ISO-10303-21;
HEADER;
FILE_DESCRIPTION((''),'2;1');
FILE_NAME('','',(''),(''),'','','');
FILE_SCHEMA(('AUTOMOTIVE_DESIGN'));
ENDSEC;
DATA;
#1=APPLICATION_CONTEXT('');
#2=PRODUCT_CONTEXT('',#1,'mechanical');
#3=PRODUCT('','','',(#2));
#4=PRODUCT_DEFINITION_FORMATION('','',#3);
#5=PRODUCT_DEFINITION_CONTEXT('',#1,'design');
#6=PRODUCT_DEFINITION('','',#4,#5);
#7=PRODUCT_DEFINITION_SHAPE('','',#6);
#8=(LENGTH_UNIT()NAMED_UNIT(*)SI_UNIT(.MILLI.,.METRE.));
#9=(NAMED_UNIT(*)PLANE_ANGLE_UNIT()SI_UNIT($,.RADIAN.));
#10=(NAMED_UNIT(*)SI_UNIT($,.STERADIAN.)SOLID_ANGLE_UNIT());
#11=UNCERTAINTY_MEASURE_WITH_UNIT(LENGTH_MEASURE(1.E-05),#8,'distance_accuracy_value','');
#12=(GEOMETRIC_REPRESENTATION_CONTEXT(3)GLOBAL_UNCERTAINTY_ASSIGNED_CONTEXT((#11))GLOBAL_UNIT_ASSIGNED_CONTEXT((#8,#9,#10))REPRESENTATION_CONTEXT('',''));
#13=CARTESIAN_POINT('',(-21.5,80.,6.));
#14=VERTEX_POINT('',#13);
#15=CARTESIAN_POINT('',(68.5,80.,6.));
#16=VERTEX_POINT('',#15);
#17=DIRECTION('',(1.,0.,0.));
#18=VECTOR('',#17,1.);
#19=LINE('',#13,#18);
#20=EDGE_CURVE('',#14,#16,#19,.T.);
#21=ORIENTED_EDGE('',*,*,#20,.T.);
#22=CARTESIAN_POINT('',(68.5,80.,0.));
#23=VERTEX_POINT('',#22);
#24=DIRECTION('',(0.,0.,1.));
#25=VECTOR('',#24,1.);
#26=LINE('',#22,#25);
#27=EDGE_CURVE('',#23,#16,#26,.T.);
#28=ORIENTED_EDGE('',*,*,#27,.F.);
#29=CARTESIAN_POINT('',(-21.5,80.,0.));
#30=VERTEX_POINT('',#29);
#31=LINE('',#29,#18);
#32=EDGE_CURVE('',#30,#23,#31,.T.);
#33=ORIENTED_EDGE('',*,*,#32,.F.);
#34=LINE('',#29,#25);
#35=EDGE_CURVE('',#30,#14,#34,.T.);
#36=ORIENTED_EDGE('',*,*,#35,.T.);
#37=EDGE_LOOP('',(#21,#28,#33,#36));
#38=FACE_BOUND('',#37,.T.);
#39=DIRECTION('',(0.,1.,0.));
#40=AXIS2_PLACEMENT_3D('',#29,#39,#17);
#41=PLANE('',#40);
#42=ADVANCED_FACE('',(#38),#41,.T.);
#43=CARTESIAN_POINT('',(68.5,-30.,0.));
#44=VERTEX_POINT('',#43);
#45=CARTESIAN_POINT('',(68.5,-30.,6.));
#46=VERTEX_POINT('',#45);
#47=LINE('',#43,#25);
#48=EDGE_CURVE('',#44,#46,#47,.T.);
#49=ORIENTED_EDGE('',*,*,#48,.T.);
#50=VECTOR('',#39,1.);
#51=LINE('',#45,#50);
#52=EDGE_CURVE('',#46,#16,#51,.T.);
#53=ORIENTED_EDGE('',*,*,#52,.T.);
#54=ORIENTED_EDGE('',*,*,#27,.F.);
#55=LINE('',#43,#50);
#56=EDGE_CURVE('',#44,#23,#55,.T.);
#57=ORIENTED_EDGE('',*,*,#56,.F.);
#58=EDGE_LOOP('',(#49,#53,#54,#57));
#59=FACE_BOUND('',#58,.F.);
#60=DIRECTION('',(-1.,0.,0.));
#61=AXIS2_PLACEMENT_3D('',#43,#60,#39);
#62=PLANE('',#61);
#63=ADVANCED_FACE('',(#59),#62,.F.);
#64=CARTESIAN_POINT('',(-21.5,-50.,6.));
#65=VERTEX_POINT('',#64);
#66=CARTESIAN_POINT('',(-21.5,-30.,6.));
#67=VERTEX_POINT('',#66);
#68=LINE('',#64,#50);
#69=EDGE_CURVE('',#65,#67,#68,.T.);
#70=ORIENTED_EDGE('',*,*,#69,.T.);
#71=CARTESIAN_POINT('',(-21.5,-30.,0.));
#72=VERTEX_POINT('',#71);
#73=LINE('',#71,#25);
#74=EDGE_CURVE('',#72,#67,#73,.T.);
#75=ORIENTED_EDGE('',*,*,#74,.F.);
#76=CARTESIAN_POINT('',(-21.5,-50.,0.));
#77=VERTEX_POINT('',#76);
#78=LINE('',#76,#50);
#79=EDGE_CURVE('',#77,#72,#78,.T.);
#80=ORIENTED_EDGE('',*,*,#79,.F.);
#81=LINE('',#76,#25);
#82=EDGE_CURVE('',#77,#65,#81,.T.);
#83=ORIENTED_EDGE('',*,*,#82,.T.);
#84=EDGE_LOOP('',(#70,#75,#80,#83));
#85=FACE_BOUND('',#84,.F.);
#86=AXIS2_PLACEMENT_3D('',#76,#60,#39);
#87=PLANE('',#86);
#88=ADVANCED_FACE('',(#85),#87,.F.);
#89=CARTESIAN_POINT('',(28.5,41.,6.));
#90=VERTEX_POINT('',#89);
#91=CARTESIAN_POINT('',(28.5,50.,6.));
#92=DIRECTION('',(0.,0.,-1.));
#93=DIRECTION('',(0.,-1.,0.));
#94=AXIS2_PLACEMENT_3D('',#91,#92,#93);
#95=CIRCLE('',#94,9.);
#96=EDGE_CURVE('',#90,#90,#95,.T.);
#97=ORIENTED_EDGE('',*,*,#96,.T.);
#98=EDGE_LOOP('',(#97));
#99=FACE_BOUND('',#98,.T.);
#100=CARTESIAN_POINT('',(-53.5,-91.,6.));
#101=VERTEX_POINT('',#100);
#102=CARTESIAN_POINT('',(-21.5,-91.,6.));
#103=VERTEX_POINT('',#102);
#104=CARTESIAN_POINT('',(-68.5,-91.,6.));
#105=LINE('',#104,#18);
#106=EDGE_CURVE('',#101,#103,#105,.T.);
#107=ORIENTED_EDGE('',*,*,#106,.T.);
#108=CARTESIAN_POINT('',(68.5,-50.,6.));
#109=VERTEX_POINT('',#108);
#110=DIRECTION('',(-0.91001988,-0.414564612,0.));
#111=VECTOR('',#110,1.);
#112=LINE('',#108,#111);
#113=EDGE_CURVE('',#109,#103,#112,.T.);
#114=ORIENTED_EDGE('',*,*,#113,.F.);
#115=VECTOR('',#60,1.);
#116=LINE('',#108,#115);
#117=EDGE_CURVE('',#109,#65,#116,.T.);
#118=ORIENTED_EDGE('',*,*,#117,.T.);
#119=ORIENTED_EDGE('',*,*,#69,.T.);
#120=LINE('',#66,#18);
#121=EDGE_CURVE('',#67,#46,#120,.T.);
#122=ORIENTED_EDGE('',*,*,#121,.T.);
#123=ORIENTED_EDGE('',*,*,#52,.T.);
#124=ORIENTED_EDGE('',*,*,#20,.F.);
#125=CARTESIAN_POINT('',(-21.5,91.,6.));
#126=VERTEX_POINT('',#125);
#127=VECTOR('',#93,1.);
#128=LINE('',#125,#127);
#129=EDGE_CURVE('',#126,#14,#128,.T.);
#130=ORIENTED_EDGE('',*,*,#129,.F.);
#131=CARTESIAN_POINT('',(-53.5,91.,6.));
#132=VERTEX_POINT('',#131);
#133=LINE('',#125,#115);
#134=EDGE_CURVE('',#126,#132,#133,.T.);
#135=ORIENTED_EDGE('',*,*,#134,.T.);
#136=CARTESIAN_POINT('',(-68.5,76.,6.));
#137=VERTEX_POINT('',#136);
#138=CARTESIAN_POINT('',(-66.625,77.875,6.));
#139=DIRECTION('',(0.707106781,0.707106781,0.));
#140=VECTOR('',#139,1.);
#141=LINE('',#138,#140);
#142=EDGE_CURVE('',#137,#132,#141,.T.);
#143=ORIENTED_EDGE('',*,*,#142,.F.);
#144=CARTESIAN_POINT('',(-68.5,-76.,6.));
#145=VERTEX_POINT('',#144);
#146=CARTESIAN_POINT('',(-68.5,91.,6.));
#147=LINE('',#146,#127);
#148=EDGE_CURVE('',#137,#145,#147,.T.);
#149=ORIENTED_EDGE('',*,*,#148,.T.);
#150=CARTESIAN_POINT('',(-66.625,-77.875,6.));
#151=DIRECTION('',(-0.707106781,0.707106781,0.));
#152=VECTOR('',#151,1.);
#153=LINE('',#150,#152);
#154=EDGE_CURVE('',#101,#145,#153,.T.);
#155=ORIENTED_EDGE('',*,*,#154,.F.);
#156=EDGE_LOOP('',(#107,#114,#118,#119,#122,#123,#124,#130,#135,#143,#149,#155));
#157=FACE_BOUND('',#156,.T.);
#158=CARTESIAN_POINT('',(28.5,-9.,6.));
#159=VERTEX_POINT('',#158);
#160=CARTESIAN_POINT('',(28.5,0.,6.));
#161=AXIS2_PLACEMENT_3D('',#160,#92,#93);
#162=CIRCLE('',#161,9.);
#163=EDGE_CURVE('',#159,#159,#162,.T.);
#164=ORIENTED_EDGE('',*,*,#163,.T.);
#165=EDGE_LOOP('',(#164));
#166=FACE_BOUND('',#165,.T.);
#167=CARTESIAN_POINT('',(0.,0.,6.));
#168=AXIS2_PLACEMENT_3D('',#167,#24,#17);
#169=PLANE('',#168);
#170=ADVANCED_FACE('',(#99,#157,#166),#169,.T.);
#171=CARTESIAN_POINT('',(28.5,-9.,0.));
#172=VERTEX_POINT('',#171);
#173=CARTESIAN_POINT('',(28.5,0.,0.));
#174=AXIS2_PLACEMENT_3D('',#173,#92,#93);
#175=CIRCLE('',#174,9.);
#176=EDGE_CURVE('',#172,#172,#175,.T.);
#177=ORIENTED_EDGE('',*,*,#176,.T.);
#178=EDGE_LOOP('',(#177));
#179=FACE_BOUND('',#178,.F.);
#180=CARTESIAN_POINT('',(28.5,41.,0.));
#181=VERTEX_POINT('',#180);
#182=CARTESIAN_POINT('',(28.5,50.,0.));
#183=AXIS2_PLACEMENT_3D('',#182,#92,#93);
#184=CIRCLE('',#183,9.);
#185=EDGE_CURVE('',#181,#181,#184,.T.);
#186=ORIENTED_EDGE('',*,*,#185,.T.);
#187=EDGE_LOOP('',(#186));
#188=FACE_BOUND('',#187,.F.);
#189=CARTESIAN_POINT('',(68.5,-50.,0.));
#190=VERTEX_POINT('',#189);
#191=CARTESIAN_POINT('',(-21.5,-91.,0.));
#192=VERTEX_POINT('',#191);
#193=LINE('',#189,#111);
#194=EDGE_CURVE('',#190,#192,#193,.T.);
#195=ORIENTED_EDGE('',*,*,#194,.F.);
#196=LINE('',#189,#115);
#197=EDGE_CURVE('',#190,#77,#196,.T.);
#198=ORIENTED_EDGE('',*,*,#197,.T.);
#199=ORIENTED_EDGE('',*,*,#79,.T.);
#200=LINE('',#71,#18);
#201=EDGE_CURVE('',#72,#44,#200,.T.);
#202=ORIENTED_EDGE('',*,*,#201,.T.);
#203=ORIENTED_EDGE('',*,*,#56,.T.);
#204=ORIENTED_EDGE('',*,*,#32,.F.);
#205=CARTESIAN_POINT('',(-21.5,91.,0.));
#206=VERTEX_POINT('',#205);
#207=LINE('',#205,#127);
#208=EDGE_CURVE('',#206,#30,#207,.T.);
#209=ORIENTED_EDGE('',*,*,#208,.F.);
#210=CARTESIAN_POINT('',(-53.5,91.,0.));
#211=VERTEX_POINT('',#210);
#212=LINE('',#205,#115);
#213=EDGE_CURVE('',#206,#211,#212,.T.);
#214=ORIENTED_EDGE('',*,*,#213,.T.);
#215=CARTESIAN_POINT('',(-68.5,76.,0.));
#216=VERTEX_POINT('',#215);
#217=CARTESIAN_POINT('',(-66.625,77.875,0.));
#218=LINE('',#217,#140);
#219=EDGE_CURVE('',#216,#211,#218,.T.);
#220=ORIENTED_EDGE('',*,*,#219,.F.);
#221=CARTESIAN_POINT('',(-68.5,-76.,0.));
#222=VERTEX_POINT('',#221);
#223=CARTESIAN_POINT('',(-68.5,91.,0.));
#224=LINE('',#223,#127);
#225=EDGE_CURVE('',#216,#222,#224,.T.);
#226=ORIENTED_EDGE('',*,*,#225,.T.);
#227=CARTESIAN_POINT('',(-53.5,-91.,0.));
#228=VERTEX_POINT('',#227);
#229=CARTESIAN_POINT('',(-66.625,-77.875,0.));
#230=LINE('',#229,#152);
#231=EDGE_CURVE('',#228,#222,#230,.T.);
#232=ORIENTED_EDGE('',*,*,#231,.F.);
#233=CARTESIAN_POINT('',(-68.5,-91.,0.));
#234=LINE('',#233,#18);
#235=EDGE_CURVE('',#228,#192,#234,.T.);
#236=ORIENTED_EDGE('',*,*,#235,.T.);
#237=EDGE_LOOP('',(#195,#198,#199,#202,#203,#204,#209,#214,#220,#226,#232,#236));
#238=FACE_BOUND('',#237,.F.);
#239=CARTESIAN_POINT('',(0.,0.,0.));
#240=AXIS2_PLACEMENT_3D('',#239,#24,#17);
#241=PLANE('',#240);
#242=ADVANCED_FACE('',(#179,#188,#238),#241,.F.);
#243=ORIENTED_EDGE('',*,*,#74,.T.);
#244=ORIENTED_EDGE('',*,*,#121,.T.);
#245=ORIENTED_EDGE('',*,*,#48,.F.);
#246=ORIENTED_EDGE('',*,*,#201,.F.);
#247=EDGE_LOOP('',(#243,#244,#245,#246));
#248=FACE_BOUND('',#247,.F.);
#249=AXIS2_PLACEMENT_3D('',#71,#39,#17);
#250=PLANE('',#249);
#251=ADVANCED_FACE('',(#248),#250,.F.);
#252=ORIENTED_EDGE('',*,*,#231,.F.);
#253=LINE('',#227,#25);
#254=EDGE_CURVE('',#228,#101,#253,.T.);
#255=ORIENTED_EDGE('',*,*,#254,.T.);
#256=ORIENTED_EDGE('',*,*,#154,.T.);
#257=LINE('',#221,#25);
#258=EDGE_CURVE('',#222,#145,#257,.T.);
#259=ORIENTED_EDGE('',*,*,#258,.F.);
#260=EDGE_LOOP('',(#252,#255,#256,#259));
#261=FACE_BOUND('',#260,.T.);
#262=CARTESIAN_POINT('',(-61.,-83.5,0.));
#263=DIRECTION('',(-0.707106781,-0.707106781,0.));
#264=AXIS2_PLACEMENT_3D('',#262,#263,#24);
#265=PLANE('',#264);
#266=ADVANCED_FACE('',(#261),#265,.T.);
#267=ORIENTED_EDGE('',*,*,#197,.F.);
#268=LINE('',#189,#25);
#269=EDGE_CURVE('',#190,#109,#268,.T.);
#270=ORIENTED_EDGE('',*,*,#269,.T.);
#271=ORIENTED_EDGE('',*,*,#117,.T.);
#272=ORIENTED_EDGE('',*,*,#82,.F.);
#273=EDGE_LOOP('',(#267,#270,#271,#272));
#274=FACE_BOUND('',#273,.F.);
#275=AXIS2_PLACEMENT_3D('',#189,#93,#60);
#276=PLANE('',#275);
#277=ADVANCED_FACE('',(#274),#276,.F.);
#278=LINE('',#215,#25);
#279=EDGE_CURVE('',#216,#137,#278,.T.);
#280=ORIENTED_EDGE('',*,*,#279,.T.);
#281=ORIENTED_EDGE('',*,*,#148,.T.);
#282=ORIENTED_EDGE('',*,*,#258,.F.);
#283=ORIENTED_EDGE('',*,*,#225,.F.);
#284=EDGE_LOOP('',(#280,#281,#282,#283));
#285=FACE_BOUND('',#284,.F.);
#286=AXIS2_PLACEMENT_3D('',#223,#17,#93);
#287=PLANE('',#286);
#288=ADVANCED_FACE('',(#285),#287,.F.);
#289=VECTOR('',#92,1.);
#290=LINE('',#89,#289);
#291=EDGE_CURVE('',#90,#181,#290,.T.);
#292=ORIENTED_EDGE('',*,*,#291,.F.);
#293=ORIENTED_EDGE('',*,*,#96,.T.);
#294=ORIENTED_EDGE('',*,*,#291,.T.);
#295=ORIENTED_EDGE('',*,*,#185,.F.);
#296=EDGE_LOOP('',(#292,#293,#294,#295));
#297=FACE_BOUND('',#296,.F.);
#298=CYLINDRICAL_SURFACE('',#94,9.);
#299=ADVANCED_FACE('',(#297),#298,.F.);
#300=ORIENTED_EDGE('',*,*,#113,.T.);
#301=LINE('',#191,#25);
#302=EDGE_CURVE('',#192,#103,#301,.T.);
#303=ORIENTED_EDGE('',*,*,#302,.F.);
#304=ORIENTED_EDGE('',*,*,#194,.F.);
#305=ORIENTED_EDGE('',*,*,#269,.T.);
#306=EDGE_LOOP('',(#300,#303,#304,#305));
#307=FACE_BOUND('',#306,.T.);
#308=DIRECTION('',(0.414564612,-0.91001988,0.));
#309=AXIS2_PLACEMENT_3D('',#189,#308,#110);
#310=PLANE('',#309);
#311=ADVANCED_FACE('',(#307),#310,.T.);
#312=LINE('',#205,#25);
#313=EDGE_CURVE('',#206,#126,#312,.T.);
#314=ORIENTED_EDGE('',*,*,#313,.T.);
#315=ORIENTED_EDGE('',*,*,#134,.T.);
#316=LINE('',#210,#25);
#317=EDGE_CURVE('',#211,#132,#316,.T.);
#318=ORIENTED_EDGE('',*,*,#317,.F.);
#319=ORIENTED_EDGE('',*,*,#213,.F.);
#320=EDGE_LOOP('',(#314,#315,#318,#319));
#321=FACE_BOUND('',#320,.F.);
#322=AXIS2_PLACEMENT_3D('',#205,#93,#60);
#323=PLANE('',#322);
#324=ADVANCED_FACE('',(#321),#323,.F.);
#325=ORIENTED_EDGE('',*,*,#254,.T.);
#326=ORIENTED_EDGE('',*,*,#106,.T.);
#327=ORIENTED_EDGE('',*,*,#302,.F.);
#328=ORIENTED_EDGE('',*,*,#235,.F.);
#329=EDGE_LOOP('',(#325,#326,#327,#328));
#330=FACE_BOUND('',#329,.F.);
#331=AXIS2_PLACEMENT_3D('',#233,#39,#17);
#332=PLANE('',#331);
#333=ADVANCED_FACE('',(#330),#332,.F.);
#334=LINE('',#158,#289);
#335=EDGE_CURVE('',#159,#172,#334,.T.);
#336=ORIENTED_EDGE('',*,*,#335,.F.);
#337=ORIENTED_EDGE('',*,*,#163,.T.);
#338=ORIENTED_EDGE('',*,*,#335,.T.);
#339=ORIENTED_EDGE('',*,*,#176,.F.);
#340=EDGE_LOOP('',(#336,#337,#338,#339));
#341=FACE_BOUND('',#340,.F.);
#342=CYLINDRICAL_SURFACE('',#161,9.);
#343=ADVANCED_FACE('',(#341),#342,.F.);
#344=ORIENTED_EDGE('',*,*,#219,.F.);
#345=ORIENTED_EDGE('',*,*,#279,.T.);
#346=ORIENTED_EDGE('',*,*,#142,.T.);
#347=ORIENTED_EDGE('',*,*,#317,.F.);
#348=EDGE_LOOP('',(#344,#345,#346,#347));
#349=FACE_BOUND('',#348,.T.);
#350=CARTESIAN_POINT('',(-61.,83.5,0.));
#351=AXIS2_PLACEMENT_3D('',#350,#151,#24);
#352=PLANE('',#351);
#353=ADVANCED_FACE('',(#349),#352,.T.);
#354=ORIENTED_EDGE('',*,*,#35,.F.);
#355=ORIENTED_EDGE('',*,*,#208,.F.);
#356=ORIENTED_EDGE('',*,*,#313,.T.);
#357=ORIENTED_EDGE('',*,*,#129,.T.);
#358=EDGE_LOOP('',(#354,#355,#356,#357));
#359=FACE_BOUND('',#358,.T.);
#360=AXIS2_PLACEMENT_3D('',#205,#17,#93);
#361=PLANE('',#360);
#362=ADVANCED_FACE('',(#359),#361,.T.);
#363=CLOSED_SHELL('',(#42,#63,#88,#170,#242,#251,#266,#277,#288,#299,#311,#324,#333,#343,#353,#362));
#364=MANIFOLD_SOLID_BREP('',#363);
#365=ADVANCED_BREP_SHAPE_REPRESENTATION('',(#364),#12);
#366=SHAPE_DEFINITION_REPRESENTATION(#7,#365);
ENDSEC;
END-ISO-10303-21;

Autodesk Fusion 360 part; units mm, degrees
sketch "スケッチ1" plane through (0, 0, 0) normal (0, 0, 1) x (1, 0, 0)
  line L0 (-21.5, 91) -> (-68.5, 91)
  line L1 (-68.5, 91) -> (-68.5, -91)
  line L2 (-68.5, -91) -> (-21.5, -91)
  line L3 (68.5, -30) -> (68.5, 80)
  line L4 (60.2198, 80) -> (-68.5, -91) construction
  line L5 (-68.5, 91) -> (45.5182, -60.4695) construction
  line L6 (-21.5, 91) -> (-21.5, 80)
  line L7 (-21.5, 80) -> (68.5, 80)
  line L8 (-68.5, -91) -> (-21.5, -91) construction
  line L9 (68.5, -50) -> (-21.5, -91)
  line L10 (68.5, -50) -> (-21.5, -50)
  line L11 (-21.5, -50) -> (-21.5, -30)
  line L12 (-21.5, -30) -> (68.5, -30)
  dimension "d2" = 182
  dimension "d5" = 47
  dimension "d7" = 90
  dimension "d8" = 20
extrude "押し出し1" add sketch "スケッチ1" along normal blind 6
chamfer "面取り1" distance 15 angle 45 2 edges at (-68.5, -91, 3) (-68.5, 91, 3)
sketch "スケッチ2" plane through (0, 0, 6) normal (0, 0, 1) x (-1, 0, 0)
  line L0 (53.5, -91) -> (68.5, -76)
  line L1 (68.5, -76) -> (68.5, 76)
  line L2 (68.5, 76) -> (53.5, 91)
  line L3 (53.5, 91) -> (21.5, 91)
  line L4 (21.5, 91) -> (-68.5, 50)
  line L5 (-68.5, 50) -> (21.5, 50)
  line L6 (21.5, 50) -> (21.5, 30)
  line L7 (21.5, 30) -> (-68.5, 30)
  line L8 (-68.5, 30) -> (-68.5, -80)
  line L9 (-68.5, -80) -> (21.5, -80)
  line L10 (21.5, -80) -> (21.5, -91)
  line L11 (21.5, -91) -> (53.5, -91)
  line L12 (-68.5, -80) -> (-28.5, -80) construction
  line L13 (-28.5, -80) -> (-28.5, -50) construction
  line L14 (-28.5, -50) -> (-68.5, -50) construction
  line L15 (-68.5, -50) -> (-68.5, -80) construction
  line L16 (-28.5, -50) -> (-28.5, 0) construction
  point P0 (-28.5, -50)
  point P1 (-28.5, 0)
  dimension "d12" = 40
  dimension "d13" = 30
  dimension "d14" = 50
hole "穴1" at (28.5, 0, 6) at (28.5, 50, 6) direction (0, 0, -1) diameter 18 end through all
equation "d5 = 15 mm + 32 mm"
